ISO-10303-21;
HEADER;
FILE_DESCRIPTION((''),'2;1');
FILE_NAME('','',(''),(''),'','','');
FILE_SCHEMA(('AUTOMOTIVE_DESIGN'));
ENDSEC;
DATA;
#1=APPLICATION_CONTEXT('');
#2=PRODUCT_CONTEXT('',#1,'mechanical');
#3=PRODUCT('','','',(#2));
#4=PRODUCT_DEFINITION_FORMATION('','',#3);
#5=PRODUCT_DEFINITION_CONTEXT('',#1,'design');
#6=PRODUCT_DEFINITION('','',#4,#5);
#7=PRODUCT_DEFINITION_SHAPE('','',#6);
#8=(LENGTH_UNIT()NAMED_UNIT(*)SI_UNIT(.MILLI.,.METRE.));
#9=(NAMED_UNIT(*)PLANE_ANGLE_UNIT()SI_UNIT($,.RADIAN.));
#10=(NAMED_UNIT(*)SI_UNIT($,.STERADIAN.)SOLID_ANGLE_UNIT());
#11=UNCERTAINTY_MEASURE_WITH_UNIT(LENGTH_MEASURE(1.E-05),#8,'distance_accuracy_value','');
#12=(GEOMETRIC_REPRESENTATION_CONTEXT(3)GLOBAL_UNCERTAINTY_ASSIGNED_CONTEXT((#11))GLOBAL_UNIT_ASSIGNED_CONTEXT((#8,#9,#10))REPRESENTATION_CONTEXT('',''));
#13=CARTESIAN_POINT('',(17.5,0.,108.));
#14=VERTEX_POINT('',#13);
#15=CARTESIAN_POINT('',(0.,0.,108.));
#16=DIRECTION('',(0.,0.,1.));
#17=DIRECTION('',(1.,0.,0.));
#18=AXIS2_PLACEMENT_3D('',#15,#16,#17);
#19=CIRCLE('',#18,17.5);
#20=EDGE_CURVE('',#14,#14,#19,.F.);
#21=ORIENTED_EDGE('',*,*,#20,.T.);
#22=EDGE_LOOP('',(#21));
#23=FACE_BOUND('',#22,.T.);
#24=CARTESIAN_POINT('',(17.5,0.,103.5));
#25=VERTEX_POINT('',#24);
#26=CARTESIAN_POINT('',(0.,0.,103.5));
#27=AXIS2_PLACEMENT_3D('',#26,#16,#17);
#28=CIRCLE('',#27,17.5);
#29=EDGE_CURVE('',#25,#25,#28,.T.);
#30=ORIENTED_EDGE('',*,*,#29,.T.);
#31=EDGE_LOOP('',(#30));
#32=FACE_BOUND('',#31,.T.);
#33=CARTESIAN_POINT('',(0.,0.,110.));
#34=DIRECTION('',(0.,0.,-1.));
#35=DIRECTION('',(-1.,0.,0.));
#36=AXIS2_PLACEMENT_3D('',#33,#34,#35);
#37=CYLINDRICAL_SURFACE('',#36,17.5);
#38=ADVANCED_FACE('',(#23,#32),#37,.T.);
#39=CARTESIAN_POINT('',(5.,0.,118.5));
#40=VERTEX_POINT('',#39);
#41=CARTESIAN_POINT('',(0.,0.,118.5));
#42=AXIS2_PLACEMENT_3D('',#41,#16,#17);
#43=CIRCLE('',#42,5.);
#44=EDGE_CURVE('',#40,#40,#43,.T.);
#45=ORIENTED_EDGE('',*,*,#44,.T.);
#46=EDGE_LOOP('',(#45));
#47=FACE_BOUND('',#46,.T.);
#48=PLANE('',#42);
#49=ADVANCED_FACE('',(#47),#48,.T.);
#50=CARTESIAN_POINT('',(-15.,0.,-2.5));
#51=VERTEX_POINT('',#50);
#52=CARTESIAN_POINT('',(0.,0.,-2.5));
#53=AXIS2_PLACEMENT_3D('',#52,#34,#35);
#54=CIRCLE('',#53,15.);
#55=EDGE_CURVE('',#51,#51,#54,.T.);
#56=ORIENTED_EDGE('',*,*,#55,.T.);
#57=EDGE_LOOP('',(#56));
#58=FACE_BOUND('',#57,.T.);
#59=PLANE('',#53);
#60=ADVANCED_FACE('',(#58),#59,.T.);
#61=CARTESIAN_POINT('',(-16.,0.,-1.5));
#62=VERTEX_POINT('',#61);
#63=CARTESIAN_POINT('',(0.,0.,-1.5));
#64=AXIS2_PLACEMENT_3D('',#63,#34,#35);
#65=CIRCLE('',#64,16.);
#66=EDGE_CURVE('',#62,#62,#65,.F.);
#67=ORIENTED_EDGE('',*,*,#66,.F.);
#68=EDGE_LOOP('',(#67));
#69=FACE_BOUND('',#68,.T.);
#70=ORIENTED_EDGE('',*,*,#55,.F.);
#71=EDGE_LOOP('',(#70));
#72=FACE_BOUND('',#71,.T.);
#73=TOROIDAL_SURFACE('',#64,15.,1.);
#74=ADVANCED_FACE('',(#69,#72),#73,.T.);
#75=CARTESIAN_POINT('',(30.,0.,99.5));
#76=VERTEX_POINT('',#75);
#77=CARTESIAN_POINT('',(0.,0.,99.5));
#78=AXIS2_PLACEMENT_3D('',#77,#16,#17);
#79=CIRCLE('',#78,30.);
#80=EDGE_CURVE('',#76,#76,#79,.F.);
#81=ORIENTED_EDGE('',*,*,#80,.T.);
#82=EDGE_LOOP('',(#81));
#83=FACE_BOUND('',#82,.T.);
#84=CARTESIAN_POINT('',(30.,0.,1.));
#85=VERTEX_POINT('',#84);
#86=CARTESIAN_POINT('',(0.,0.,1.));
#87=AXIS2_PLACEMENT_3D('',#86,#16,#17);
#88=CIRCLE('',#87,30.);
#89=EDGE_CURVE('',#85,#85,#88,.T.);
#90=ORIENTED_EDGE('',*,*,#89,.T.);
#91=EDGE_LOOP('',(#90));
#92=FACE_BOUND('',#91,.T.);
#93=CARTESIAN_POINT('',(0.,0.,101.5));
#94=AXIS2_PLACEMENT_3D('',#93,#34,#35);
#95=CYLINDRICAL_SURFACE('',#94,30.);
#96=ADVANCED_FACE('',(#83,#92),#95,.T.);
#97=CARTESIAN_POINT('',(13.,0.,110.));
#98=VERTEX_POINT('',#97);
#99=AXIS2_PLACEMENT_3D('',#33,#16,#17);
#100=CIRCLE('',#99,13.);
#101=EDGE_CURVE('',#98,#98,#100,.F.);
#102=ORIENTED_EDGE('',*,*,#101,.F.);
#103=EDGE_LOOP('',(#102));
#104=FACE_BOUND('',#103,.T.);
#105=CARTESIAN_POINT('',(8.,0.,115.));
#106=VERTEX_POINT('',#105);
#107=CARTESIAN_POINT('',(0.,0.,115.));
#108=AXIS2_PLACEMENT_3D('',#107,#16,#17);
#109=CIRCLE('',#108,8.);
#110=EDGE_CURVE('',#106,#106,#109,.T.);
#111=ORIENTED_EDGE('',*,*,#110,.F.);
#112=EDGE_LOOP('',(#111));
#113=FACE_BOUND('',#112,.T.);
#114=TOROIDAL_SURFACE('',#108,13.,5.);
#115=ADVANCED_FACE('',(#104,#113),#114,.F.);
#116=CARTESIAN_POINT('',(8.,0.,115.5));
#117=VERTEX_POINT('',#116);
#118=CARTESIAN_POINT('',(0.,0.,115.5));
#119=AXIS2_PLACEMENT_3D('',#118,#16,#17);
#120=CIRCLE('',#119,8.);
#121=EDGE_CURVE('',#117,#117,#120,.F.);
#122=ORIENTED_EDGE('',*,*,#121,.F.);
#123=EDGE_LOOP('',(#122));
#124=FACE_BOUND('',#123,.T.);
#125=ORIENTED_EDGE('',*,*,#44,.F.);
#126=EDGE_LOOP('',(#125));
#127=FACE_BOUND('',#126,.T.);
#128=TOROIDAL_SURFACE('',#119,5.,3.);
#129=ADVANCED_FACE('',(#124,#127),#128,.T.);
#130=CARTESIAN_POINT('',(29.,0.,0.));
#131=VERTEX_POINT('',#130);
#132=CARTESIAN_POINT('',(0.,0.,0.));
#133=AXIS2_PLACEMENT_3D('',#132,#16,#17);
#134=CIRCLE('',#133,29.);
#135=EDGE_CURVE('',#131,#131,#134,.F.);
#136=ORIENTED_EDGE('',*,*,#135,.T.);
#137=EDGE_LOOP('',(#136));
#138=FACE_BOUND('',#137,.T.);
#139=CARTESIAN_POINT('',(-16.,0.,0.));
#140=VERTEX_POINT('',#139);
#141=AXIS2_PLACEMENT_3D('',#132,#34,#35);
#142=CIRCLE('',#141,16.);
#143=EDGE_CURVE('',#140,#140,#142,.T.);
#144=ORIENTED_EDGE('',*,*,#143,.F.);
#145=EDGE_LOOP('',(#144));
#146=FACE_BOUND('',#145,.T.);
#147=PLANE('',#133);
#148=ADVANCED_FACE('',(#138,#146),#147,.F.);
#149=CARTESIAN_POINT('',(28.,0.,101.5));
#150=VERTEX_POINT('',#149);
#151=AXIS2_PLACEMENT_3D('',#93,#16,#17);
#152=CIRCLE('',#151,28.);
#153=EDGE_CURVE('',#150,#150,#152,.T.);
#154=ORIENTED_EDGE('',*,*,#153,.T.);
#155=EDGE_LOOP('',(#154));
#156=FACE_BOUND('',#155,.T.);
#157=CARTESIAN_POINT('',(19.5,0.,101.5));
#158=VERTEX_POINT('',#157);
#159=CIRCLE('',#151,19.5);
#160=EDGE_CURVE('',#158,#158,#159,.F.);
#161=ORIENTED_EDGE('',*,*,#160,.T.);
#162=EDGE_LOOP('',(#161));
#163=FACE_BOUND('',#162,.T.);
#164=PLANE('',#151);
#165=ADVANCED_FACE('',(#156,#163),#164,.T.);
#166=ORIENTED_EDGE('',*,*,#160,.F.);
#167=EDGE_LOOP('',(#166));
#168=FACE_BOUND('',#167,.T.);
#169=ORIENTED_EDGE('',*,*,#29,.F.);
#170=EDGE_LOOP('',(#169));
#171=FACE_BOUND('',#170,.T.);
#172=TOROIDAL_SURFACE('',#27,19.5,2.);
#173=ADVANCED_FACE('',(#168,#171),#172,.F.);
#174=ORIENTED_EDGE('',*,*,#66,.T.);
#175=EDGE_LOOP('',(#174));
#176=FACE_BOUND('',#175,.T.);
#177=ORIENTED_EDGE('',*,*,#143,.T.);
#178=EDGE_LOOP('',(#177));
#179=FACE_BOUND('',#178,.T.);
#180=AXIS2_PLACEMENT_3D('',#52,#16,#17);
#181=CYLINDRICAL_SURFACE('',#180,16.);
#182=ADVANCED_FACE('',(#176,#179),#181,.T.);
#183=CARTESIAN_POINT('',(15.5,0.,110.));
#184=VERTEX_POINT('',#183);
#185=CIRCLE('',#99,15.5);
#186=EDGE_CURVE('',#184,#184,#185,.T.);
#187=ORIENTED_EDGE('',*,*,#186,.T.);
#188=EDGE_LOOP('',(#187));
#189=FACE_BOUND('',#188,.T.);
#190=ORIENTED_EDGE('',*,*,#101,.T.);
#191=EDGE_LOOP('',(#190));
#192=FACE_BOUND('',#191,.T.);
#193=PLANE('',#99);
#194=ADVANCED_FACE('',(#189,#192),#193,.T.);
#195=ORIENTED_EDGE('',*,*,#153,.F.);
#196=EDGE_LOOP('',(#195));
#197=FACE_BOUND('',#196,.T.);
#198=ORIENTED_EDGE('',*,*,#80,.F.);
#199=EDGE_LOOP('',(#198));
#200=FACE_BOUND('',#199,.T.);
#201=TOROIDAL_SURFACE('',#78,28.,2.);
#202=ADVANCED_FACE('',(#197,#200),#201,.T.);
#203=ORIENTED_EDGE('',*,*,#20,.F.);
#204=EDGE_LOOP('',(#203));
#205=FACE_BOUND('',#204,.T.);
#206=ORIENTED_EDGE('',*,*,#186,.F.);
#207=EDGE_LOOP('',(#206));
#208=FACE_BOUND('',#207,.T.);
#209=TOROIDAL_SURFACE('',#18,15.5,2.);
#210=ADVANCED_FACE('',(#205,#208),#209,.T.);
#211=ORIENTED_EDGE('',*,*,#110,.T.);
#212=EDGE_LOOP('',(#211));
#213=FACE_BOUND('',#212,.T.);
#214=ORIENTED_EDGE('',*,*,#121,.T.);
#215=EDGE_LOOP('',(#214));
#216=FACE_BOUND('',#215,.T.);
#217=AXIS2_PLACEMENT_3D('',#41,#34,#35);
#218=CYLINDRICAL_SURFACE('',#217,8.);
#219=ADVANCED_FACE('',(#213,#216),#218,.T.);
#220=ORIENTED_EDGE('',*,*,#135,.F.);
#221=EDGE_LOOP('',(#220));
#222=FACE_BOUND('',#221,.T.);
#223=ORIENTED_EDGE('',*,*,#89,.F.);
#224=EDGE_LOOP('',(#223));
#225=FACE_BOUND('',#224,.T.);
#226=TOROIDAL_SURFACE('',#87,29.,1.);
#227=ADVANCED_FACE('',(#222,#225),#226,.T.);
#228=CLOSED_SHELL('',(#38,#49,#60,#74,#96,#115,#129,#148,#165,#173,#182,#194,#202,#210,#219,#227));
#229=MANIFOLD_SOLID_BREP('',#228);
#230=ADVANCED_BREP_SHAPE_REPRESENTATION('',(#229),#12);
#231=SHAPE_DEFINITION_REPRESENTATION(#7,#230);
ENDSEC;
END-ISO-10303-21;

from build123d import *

# Parameters (mm, degrees)
CROQUIS1_R              = 30
SALIENTE_EXTRUIR1_DEPTH = 101.5
CROQUIS2_R              = 17.5
SALIENTE_EXTRUIR2_DEPTH = 8.5
CROQUIS3_R              = 8
SALIENTE_EXTRUIR3_DEPTH = 8.5
CROQUIS4_R              = 16
SALIENTE_EXTRUIR4_DEPTH = 2.5
REDONDEO1_R             = 2
REDONDEO2_R             = 2
REDONDEO3_R             = 2
REDONDEO4_R             = 5
REDONDEO5_R             = 3
REDONDEO6_R             = 1
REDONDEO7_R             = 1


with BuildPart() as part:
    # Croquis1 → Saliente-Extruir1 (new body)
    with BuildSketch(Plane.XY):
        Circle(CROQUIS1_R)
    extrude(amount=SALIENTE_EXTRUIR1_DEPTH)

    # Croquis2 → Saliente-Extruir2 (add)
    with BuildSketch(Plane.XY.offset(101.5)):
        Circle(CROQUIS2_R)
    extrude(amount=SALIENTE_EXTRUIR2_DEPTH)

    # Croquis3 → Saliente-Extruir3 (add)
    with BuildSketch(Plane.XY.offset(110)):
        Circle(CROQUIS3_R)
    extrude(amount=SALIENTE_EXTRUIR3_DEPTH)

    # Croquis4 → Saliente-Extruir4 (add)
    with BuildSketch(Plane(origin=(0, 0, 0), x_dir=(-1, 0, 0), z_dir=(0, 0, -1))):
        Circle(CROQUIS4_R)
    extrude(amount=SALIENTE_EXTRUIR4_DEPTH)

    # Redondeo1
    redondeo1_edges = [part.edges().sort_by_distance(p)[0] for p in [
        (-30, 0, 101.5),
    ]]
    fillet(redondeo1_edges, radius=REDONDEO1_R)

    # Redondeo2
    redondeo2_edges = [part.edges().sort_by_distance(p)[0] for p in [
        (-17.5, 0, 101.5),
    ]]
    fillet(redondeo2_edges, radius=REDONDEO2_R)

    # Redondeo3
    redondeo3_edges = [part.edges().sort_by_distance(p)[0] for p in [
        (-17.5, 0, 110),
    ]]
    fillet(redondeo3_edges, radius=REDONDEO3_R)

    # Redondeo4
    redondeo4_edges = [part.edges().sort_by_distance(p)[0] for p in [
        (-8, 0, 110),
    ]]
    fillet(redondeo4_edges, radius=REDONDEO4_R)

    # Redondeo5
    redondeo5_edges = [part.edges().sort_by_distance(p)[0] for p in [
        (-8, 0, 118.5),
    ]]
    fillet(redondeo5_edges, radius=REDONDEO5_R)

    # Redondeo6
    redondeo6_edges = [part.edges().sort_by_distance(p)[0] for p in [
        (-30, 0, 0),
    ]]
    fillet(redondeo6_edges, radius=REDONDEO6_R)

    # Redondeo7
    redondeo7_edges = [part.edges().sort_by_distance(p)[0] for p in [
        (16, 0, -2.5),
    ]]
    fillet(redondeo7_edges, radius=REDONDEO7_R)


solid = part.part
